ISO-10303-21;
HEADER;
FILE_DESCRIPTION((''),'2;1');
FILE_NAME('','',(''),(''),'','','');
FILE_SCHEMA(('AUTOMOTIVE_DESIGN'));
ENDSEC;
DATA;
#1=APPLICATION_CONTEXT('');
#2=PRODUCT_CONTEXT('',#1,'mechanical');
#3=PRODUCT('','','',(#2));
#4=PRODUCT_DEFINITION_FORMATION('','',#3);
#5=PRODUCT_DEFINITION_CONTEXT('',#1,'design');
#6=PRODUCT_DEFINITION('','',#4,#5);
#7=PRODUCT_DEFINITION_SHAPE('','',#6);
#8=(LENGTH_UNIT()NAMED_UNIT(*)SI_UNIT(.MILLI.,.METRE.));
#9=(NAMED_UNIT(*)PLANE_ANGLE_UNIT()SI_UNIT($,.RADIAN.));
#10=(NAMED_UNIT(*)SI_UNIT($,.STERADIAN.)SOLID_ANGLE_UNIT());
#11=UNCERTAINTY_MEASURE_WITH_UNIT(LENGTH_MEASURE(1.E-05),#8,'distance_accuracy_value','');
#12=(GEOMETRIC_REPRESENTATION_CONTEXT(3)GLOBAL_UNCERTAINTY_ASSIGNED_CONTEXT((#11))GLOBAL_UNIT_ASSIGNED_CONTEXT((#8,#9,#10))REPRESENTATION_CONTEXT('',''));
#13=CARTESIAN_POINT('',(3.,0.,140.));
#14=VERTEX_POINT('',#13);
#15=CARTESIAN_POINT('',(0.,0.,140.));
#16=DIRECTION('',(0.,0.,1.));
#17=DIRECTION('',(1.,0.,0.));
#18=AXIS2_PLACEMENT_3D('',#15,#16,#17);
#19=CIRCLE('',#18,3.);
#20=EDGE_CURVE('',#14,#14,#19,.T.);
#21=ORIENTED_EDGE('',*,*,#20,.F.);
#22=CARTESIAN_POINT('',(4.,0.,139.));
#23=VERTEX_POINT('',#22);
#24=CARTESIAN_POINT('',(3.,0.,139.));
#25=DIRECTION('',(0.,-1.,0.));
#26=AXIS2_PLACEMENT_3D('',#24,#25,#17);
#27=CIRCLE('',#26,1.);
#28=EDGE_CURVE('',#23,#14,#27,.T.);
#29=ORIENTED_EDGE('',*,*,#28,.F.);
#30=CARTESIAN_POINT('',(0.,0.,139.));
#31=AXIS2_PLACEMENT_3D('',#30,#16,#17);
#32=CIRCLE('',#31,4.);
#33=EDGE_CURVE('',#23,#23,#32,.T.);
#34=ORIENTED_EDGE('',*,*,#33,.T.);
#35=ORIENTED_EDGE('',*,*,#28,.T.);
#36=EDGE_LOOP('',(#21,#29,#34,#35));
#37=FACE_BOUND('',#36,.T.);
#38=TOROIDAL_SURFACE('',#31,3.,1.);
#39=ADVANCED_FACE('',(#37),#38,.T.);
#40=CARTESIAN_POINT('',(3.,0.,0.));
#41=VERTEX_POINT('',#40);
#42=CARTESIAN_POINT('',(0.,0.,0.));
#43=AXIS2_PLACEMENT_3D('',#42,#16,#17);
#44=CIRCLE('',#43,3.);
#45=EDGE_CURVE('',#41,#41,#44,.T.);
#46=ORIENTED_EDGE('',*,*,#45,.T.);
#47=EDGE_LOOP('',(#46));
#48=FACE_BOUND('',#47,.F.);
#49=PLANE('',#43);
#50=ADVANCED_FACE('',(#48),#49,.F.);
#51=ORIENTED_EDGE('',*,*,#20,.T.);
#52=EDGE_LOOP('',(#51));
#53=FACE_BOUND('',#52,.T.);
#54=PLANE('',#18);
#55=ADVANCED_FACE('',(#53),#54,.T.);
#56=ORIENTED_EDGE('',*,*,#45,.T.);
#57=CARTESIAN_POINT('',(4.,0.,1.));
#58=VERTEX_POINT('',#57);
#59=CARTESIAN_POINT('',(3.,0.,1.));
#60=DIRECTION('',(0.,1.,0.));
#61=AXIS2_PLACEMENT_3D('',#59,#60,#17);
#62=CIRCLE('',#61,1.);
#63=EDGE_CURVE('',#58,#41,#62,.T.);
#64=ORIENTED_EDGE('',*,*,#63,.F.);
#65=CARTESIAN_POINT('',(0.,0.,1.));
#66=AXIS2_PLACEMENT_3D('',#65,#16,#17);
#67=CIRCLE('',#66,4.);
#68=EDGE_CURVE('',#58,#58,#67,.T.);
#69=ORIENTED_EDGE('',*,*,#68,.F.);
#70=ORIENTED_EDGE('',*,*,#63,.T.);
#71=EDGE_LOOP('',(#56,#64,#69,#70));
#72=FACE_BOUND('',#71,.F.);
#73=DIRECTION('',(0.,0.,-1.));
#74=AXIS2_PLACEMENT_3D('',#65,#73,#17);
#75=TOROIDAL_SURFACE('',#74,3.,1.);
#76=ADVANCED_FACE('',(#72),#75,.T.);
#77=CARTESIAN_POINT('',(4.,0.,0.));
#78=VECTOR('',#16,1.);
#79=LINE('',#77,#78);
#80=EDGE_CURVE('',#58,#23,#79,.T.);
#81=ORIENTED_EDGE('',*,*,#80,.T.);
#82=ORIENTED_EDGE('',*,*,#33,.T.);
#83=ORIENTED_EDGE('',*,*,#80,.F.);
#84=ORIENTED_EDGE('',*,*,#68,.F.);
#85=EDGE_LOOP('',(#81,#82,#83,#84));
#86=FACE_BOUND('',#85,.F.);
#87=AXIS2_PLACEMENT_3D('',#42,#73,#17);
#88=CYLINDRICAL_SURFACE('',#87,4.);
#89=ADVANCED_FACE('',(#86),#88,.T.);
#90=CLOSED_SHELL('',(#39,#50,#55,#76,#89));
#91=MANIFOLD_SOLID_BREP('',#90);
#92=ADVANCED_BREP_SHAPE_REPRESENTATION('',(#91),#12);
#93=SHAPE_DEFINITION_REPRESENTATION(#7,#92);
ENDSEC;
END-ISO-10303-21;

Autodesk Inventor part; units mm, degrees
ref_plane "YZ Plane" through (0, 0, 0) normal (1, 0, 0) x (0, 1, 0)
ref_plane "XZ Plane" through (0, 0, 0) normal (0, 1, 0) x (-1, 0, 0)
ref_plane "XY Plane" through (0, 0, 0) normal (0, 0, 1) x (1, 0, 0)
sketch "Sketch1" plane through (0, 0, 0) normal (0, 0, 1) x (1, 0, 0)
  circle A0 centre (0, 0) radius 4
  dimension "d0" = 8
extrude "Extrusion1" add sketch "Sketch1" along normal blind 140
fillet "Fillet1" radius 1 2 edges at (-4, 0, 140) (-4, 0, 0)
properties part number "Steel Rod 8mm x 140mm" material "Stainless Steel"
